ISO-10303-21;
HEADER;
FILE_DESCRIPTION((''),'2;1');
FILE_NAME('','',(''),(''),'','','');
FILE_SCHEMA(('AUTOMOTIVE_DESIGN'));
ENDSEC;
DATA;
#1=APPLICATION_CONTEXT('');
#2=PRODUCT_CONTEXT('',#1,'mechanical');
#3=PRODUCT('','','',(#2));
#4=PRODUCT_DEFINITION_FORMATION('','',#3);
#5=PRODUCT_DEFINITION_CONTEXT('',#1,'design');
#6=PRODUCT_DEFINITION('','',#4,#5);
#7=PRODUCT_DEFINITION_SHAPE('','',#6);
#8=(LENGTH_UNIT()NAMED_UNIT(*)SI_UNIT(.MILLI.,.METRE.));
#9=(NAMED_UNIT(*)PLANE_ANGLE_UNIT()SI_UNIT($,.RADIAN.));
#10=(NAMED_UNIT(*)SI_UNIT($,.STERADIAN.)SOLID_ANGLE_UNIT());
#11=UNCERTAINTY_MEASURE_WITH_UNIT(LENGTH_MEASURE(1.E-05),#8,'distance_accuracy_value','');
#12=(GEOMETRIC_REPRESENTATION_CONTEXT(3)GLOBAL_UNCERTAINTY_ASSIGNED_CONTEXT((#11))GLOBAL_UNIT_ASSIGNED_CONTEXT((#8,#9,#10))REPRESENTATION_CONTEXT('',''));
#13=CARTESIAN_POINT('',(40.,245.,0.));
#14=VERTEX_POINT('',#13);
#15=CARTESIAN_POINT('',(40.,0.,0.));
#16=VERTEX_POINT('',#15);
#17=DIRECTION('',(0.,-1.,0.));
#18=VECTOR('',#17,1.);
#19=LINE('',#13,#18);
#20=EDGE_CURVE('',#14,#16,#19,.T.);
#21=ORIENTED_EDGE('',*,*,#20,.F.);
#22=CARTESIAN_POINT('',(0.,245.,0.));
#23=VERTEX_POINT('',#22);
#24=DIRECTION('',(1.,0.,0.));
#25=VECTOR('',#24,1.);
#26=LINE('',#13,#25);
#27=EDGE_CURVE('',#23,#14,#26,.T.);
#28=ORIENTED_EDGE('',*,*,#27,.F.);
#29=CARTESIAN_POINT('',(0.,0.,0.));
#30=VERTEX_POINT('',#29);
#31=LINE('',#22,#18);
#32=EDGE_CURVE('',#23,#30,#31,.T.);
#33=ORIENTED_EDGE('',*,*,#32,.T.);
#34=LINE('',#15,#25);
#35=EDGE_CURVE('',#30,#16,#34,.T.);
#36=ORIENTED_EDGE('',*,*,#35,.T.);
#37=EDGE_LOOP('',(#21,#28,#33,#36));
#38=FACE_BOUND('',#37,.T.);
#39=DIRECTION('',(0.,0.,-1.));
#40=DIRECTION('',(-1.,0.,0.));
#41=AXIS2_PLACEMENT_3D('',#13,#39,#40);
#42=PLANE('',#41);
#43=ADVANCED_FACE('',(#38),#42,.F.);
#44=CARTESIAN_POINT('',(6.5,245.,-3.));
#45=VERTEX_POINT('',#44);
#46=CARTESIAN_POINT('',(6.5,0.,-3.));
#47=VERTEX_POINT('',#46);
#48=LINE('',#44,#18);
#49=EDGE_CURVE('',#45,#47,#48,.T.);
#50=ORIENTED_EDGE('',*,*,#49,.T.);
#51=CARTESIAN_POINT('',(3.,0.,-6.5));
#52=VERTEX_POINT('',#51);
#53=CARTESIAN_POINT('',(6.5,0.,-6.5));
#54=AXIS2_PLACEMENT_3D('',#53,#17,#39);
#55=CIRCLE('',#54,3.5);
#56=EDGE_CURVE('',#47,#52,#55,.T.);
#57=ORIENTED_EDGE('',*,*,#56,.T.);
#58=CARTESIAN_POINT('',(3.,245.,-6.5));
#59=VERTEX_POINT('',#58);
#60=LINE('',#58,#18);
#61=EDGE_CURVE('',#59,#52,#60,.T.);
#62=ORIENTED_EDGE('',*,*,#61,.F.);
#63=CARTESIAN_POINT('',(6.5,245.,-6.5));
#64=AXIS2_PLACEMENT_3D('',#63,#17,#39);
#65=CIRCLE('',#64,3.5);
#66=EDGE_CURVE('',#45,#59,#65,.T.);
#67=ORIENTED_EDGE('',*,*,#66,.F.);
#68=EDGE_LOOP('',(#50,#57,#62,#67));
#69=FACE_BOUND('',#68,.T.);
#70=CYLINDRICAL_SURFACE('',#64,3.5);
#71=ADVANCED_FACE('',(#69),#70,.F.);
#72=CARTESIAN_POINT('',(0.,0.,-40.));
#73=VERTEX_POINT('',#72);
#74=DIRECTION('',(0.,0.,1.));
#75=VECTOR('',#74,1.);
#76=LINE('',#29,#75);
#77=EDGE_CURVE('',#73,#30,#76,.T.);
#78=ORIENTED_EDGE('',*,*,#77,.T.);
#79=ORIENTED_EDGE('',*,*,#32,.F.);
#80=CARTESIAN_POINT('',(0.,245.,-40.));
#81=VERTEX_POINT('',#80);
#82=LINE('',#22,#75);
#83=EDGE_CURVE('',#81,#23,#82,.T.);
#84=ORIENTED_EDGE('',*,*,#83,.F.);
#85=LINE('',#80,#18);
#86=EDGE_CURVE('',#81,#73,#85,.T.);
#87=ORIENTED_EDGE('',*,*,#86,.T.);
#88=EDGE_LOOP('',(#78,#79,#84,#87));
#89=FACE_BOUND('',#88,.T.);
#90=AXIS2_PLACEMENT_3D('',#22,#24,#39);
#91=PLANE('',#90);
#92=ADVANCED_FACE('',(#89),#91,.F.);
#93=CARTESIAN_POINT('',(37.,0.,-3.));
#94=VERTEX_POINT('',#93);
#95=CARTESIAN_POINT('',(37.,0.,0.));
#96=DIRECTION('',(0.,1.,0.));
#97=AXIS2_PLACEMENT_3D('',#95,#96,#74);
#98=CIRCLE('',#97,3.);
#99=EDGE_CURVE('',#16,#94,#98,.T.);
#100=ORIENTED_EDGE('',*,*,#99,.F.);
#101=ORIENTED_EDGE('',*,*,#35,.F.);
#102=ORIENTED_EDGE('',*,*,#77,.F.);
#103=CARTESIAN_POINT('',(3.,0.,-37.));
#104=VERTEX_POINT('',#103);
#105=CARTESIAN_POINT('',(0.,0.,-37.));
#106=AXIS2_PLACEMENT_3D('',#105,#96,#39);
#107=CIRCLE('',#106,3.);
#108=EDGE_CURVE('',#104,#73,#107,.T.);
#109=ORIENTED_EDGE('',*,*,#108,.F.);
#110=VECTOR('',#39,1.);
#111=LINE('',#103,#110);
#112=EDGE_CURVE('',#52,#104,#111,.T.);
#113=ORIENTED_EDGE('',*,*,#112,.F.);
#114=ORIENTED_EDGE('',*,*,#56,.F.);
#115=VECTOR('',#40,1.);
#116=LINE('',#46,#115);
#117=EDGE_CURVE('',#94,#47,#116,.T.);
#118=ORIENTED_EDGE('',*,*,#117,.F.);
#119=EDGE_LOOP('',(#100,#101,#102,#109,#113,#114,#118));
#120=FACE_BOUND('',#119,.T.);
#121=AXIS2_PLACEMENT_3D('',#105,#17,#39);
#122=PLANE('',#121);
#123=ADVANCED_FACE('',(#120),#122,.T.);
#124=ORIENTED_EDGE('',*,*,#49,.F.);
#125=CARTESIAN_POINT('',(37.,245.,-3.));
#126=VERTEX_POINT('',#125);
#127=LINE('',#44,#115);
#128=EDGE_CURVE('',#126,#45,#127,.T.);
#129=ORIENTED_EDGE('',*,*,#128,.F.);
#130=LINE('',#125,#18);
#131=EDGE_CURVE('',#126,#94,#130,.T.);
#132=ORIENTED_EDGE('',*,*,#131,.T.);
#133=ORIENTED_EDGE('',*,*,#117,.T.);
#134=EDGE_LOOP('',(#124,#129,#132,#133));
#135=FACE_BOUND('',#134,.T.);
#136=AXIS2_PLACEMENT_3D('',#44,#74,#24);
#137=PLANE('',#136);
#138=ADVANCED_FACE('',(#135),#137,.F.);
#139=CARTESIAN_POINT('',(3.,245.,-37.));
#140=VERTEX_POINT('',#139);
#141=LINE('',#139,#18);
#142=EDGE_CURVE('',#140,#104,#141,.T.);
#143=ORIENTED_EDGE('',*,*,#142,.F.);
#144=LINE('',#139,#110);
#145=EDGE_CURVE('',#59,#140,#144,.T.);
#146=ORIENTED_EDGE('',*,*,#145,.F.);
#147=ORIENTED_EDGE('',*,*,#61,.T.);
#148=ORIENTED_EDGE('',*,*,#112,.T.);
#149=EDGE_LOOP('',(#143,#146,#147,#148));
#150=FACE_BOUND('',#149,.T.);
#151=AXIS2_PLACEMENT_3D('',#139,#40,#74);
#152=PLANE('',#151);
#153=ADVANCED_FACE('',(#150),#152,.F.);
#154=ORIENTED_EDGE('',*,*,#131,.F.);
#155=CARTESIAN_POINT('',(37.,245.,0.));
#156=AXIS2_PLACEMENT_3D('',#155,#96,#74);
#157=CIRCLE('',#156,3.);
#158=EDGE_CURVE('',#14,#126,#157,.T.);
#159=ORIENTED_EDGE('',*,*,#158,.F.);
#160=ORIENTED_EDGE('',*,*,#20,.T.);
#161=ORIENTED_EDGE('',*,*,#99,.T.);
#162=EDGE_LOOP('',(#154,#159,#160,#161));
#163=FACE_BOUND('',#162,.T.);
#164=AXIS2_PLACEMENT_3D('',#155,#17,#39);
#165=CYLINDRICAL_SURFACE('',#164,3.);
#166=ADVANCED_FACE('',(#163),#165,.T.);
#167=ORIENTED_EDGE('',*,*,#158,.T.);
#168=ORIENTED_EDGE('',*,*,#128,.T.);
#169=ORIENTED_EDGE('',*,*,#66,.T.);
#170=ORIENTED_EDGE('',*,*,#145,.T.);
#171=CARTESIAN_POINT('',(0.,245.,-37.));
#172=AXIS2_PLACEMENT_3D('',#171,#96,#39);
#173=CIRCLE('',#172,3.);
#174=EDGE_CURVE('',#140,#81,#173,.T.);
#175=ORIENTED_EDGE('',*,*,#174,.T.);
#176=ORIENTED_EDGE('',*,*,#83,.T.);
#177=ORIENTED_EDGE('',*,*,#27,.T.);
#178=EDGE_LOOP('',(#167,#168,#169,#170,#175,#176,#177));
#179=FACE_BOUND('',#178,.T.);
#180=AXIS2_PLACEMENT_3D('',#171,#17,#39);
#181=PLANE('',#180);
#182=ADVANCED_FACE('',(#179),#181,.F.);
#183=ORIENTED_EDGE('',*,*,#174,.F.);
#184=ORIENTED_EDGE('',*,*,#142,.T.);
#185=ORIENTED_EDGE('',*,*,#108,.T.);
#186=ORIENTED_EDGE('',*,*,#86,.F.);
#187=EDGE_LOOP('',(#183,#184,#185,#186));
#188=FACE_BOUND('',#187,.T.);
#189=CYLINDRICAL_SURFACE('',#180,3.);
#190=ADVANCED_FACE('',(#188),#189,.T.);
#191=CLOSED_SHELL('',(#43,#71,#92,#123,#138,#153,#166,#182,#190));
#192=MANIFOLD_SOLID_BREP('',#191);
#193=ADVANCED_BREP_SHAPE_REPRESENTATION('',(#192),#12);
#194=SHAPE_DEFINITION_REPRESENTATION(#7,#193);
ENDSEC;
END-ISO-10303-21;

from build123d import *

# Parameters (mm, degrees)
IRON_V40X40X3_1_DEPTH = 245


with BuildPart() as part:
    # Sketch1 → Iron V40X40X3(1) (new body)
    with BuildSketch(Plane(origin=(0, 0, 0), x_dir=(1, 0, 0), z_dir=(0, 1, 0))):
        with BuildLine():
            Line((0, 0), (0, 40))
            ThreePointArc((0, 40), (2.121320344, 39.121320344), (3, 37))
            Line((3, 37), (3, 6.5))
            ThreePointArc((3, 6.5), (4.025126266, 4.025126266), (6.5, 3))
            Line((6.5, 3), (37, 3))
            ThreePointArc((37, 3), (39.121320344, 2.121320344), (40, 0))
            Line((40, 0), (0, 0))
        make_face()
    extrude(amount=IRON_V40X40X3_1_DEPTH)


solid = part.part
